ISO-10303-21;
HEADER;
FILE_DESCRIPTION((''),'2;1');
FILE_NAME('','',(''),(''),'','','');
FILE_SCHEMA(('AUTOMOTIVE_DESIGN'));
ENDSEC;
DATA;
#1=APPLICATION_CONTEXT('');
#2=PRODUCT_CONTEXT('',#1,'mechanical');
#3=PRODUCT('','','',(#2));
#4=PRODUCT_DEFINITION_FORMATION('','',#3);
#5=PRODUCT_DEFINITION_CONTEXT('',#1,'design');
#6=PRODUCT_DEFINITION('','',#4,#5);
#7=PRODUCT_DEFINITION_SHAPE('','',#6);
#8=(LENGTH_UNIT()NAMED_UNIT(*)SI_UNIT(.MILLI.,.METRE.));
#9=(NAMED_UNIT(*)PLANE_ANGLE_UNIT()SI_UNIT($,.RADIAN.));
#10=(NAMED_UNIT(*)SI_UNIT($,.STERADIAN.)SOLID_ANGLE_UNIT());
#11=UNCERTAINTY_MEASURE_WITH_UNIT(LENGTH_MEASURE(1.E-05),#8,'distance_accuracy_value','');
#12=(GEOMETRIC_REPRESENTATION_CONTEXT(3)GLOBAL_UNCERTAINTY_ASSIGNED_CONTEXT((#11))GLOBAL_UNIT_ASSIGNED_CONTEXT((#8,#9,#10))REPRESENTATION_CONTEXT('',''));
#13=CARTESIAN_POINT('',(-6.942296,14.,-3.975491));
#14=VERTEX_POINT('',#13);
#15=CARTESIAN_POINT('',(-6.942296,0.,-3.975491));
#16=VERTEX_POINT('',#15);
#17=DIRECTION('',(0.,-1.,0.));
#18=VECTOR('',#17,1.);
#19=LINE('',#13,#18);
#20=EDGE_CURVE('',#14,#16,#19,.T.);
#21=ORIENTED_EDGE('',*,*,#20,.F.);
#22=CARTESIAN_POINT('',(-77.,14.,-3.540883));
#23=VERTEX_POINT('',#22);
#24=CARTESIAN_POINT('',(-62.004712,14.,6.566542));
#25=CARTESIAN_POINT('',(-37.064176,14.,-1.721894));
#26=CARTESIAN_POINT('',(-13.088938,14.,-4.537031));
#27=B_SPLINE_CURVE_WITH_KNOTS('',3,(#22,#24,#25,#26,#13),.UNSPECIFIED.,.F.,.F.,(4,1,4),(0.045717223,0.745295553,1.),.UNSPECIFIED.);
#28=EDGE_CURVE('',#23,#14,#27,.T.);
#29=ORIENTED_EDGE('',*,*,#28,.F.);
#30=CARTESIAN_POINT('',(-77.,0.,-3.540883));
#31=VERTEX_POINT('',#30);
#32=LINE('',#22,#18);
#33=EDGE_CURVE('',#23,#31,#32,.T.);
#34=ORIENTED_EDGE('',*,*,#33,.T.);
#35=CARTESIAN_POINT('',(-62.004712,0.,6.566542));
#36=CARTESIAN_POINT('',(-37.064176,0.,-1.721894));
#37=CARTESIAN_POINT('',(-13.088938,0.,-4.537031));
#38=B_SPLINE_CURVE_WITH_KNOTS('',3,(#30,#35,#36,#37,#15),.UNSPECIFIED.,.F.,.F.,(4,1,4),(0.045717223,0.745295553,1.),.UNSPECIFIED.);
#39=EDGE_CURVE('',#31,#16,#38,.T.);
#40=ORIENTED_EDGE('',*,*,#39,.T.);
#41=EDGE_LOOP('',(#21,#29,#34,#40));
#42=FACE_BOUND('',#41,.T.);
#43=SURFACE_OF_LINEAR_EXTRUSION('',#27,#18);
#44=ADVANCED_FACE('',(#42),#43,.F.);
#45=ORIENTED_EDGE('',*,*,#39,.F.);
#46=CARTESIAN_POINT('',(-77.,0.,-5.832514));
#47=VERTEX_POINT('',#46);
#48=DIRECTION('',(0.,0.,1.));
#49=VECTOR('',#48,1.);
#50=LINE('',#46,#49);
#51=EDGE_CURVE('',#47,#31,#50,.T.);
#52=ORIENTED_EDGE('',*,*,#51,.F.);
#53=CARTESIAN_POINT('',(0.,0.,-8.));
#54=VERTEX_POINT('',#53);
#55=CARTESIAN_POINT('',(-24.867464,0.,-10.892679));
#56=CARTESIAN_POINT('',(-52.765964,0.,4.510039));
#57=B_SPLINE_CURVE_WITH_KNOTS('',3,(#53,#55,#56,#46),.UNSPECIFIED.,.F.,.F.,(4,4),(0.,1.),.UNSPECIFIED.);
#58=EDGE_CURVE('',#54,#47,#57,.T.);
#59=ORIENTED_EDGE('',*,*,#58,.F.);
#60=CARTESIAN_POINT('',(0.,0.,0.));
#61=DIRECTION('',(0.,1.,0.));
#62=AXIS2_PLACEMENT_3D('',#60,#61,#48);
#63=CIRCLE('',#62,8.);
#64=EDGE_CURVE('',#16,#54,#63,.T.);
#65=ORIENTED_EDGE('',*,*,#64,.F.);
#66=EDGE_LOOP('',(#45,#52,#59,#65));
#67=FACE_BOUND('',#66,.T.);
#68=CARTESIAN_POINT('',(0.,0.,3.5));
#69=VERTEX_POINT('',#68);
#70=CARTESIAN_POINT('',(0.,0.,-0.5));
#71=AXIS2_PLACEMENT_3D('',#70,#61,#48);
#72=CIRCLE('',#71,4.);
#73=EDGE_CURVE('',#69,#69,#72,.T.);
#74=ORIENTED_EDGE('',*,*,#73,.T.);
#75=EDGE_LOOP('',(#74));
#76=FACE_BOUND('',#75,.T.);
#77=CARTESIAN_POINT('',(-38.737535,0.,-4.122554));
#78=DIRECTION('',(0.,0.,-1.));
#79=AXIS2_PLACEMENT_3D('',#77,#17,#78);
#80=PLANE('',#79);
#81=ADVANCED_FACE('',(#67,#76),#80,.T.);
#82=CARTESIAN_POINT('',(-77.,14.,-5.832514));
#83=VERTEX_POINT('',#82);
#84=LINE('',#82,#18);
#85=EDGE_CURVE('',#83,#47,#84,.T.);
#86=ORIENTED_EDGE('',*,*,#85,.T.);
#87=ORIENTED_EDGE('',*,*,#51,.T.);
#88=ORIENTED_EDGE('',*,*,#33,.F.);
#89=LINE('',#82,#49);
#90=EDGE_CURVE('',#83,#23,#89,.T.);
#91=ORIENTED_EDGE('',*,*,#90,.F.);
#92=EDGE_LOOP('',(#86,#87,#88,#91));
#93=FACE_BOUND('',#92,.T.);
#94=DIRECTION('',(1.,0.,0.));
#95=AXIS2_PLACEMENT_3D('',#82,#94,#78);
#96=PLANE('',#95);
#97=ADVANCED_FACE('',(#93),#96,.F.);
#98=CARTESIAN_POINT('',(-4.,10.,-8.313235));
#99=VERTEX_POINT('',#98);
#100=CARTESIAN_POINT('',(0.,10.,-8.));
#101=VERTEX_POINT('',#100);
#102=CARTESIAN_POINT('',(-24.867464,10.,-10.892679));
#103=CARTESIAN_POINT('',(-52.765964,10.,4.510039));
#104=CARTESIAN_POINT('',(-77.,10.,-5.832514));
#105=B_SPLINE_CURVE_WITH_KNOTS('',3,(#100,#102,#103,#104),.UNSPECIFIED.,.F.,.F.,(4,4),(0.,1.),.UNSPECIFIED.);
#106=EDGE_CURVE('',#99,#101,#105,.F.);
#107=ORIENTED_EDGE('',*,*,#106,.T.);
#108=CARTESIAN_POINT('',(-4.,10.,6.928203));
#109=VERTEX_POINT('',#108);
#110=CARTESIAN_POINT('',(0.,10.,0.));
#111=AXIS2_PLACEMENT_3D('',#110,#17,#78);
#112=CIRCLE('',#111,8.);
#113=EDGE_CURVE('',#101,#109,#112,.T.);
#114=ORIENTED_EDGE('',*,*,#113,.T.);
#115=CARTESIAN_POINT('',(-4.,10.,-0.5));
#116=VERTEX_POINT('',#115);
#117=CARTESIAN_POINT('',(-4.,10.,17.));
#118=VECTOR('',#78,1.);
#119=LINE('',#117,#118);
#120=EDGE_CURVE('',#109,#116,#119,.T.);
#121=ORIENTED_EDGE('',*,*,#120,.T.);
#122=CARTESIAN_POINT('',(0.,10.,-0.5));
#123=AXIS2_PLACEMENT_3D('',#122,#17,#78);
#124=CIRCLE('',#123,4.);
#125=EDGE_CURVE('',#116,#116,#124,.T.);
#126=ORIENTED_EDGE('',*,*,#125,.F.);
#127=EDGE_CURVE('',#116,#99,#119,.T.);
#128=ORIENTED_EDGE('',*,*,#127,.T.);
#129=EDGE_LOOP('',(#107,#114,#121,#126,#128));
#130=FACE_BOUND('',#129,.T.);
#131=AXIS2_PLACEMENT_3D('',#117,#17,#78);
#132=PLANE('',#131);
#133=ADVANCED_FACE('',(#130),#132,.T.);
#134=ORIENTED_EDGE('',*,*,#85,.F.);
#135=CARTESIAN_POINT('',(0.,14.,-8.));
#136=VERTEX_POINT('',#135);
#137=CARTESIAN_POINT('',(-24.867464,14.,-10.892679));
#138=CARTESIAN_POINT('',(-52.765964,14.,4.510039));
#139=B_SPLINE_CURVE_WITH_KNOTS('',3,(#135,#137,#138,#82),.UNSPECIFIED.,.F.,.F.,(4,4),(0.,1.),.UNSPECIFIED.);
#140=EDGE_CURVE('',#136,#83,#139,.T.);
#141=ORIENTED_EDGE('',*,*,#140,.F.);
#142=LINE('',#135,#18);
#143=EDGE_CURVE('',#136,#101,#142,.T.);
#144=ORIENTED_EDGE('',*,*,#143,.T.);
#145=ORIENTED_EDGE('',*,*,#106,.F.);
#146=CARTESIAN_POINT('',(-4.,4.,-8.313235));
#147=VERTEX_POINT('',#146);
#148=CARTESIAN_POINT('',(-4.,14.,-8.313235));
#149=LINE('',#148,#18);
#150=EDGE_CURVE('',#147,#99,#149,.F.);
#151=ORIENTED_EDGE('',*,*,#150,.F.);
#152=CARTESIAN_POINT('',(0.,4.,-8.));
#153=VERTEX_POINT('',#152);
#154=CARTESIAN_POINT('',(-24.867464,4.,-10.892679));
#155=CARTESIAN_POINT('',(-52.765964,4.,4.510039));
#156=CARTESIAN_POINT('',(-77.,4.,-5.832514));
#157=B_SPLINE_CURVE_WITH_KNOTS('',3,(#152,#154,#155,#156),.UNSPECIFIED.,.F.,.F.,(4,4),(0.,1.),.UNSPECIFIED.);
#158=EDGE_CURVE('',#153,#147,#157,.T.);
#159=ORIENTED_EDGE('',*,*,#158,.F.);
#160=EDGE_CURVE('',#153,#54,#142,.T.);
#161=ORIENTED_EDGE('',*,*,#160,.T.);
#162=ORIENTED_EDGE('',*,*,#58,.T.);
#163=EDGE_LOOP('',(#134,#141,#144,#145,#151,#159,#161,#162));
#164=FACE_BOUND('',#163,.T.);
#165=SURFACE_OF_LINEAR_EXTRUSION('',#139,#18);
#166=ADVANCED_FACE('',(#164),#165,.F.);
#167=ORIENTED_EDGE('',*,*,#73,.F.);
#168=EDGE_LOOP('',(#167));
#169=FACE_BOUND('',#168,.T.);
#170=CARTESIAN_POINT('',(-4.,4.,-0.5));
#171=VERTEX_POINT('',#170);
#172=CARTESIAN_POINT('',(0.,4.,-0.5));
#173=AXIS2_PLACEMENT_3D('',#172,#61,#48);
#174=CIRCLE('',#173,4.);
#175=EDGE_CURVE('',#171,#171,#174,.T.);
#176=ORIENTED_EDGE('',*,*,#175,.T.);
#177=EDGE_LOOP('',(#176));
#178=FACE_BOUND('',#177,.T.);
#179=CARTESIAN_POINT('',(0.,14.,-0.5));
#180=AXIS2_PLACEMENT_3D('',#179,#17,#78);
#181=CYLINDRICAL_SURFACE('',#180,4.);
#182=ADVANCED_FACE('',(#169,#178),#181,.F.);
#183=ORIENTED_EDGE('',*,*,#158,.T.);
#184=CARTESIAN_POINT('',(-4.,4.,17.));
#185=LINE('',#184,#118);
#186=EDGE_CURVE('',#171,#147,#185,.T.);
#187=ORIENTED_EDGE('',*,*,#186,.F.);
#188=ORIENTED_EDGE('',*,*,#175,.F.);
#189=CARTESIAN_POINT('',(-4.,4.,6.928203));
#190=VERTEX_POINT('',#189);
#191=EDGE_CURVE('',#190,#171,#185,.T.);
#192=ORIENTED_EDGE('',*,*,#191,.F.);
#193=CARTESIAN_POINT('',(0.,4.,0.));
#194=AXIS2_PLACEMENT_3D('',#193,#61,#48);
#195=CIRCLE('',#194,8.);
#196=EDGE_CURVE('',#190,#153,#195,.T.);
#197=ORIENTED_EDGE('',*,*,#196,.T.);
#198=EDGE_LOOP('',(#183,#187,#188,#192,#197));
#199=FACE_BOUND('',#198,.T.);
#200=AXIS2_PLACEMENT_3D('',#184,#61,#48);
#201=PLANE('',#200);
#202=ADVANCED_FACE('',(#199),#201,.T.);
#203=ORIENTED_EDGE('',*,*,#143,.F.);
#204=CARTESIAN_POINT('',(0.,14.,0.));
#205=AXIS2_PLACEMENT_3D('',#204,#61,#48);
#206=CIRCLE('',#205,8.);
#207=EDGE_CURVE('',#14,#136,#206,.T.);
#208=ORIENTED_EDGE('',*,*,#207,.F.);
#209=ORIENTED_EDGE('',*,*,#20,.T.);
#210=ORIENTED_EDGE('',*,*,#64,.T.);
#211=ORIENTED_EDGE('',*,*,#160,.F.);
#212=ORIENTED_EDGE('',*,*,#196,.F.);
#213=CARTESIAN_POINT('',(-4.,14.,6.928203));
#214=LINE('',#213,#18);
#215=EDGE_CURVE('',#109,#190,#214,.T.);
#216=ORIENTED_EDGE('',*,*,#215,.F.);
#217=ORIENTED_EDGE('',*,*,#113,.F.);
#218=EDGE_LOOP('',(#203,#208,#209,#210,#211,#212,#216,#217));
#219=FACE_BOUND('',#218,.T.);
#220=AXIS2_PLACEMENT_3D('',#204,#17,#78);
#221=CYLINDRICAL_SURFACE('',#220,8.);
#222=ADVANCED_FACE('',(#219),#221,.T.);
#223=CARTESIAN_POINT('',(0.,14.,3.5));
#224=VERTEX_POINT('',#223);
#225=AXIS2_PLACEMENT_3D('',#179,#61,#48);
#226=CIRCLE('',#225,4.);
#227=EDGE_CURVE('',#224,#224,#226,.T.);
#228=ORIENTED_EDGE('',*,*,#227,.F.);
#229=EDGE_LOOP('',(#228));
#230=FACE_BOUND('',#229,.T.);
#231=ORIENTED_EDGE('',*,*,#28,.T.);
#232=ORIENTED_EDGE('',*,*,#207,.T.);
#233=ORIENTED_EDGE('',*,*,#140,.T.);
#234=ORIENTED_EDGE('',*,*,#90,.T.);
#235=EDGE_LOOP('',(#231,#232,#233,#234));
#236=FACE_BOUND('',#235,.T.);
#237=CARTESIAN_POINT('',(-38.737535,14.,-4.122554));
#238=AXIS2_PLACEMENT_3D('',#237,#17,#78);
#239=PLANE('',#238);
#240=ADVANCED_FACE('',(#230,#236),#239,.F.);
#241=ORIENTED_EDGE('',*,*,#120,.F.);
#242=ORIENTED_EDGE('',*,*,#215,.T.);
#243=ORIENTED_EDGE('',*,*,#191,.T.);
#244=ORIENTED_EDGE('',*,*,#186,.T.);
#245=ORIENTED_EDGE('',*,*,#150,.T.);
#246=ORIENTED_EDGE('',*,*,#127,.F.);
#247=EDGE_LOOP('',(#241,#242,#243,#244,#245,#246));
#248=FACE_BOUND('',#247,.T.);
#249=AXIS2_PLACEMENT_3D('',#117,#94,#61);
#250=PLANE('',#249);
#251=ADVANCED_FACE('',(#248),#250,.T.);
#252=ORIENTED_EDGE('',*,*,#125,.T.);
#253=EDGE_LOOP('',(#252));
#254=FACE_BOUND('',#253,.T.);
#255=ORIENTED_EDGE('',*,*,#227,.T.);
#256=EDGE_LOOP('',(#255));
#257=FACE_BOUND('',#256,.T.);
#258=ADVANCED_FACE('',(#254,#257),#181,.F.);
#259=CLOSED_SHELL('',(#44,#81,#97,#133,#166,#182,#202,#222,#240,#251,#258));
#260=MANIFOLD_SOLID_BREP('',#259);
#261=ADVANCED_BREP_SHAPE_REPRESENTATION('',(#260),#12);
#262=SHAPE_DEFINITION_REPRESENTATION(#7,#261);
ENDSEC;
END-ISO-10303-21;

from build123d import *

# Parameters (mm, degrees)
SKETCH1_R           = 4
BOSS_EXTRUDE1_DEPTH = 14
SKETCH2_W           = 12
SKETCH2_H           = 6
CUT_EXTRUDE1_DEPTH  = 17


with BuildPart() as part:
    # Sketch1 → Boss-Extrude1 (new body)
    with BuildSketch(Plane(origin=(0, 0, 0), x_dir=(1, 0, 0), z_dir=(0, 1, 0))):
        with BuildLine():
            Line((-76.999999986, 5.832514168), (-76.999999986, 3.540882964))
            add(Edge.make_bspline(
                [(-6.942295947, 3.975490785), (-13.088937843, 4.53703129), (-37.064176348, 1.721893834), (-62.004711992, -6.566542107), (-76.999999986, 3.540882964)],
                knots=[0.045717223, 0.045717223, 0.045717223, 0.045717223, 0.30042167, 1, 1, 1, 1], degree=3))
            ThreePointArc((-6.942295947, 3.975490785), (4.012235893, -6.921124413), (0, 8))
            add(Edge.make_bspline(
                [(0, 8), (-24.867463869, 10.892678598), (-52.765963903, -4.510038737), (-76.999999986, 5.832514168)],
                knots=[0, 0, 0, 0, 1, 1, 1, 1], degree=3))
        make_face()
        with Locations(Location((0, 0.5, 0), (0, 0, 270))):
            Circle(SKETCH1_R, mode=Mode.SUBTRACT)
    extrude(amount=BOSS_EXTRUDE1_DEPTH)

    # Sketch2 → Cut-Extrude1 (cut, symmetric)
    with BuildSketch(Plane.XY):
        with Locations((2, 7)):
            Rectangle(SKETCH2_W, SKETCH2_H)
    extrude(amount=CUT_EXTRUDE1_DEPTH, both=True, mode=Mode.SUBTRACT)


solid = part.part
